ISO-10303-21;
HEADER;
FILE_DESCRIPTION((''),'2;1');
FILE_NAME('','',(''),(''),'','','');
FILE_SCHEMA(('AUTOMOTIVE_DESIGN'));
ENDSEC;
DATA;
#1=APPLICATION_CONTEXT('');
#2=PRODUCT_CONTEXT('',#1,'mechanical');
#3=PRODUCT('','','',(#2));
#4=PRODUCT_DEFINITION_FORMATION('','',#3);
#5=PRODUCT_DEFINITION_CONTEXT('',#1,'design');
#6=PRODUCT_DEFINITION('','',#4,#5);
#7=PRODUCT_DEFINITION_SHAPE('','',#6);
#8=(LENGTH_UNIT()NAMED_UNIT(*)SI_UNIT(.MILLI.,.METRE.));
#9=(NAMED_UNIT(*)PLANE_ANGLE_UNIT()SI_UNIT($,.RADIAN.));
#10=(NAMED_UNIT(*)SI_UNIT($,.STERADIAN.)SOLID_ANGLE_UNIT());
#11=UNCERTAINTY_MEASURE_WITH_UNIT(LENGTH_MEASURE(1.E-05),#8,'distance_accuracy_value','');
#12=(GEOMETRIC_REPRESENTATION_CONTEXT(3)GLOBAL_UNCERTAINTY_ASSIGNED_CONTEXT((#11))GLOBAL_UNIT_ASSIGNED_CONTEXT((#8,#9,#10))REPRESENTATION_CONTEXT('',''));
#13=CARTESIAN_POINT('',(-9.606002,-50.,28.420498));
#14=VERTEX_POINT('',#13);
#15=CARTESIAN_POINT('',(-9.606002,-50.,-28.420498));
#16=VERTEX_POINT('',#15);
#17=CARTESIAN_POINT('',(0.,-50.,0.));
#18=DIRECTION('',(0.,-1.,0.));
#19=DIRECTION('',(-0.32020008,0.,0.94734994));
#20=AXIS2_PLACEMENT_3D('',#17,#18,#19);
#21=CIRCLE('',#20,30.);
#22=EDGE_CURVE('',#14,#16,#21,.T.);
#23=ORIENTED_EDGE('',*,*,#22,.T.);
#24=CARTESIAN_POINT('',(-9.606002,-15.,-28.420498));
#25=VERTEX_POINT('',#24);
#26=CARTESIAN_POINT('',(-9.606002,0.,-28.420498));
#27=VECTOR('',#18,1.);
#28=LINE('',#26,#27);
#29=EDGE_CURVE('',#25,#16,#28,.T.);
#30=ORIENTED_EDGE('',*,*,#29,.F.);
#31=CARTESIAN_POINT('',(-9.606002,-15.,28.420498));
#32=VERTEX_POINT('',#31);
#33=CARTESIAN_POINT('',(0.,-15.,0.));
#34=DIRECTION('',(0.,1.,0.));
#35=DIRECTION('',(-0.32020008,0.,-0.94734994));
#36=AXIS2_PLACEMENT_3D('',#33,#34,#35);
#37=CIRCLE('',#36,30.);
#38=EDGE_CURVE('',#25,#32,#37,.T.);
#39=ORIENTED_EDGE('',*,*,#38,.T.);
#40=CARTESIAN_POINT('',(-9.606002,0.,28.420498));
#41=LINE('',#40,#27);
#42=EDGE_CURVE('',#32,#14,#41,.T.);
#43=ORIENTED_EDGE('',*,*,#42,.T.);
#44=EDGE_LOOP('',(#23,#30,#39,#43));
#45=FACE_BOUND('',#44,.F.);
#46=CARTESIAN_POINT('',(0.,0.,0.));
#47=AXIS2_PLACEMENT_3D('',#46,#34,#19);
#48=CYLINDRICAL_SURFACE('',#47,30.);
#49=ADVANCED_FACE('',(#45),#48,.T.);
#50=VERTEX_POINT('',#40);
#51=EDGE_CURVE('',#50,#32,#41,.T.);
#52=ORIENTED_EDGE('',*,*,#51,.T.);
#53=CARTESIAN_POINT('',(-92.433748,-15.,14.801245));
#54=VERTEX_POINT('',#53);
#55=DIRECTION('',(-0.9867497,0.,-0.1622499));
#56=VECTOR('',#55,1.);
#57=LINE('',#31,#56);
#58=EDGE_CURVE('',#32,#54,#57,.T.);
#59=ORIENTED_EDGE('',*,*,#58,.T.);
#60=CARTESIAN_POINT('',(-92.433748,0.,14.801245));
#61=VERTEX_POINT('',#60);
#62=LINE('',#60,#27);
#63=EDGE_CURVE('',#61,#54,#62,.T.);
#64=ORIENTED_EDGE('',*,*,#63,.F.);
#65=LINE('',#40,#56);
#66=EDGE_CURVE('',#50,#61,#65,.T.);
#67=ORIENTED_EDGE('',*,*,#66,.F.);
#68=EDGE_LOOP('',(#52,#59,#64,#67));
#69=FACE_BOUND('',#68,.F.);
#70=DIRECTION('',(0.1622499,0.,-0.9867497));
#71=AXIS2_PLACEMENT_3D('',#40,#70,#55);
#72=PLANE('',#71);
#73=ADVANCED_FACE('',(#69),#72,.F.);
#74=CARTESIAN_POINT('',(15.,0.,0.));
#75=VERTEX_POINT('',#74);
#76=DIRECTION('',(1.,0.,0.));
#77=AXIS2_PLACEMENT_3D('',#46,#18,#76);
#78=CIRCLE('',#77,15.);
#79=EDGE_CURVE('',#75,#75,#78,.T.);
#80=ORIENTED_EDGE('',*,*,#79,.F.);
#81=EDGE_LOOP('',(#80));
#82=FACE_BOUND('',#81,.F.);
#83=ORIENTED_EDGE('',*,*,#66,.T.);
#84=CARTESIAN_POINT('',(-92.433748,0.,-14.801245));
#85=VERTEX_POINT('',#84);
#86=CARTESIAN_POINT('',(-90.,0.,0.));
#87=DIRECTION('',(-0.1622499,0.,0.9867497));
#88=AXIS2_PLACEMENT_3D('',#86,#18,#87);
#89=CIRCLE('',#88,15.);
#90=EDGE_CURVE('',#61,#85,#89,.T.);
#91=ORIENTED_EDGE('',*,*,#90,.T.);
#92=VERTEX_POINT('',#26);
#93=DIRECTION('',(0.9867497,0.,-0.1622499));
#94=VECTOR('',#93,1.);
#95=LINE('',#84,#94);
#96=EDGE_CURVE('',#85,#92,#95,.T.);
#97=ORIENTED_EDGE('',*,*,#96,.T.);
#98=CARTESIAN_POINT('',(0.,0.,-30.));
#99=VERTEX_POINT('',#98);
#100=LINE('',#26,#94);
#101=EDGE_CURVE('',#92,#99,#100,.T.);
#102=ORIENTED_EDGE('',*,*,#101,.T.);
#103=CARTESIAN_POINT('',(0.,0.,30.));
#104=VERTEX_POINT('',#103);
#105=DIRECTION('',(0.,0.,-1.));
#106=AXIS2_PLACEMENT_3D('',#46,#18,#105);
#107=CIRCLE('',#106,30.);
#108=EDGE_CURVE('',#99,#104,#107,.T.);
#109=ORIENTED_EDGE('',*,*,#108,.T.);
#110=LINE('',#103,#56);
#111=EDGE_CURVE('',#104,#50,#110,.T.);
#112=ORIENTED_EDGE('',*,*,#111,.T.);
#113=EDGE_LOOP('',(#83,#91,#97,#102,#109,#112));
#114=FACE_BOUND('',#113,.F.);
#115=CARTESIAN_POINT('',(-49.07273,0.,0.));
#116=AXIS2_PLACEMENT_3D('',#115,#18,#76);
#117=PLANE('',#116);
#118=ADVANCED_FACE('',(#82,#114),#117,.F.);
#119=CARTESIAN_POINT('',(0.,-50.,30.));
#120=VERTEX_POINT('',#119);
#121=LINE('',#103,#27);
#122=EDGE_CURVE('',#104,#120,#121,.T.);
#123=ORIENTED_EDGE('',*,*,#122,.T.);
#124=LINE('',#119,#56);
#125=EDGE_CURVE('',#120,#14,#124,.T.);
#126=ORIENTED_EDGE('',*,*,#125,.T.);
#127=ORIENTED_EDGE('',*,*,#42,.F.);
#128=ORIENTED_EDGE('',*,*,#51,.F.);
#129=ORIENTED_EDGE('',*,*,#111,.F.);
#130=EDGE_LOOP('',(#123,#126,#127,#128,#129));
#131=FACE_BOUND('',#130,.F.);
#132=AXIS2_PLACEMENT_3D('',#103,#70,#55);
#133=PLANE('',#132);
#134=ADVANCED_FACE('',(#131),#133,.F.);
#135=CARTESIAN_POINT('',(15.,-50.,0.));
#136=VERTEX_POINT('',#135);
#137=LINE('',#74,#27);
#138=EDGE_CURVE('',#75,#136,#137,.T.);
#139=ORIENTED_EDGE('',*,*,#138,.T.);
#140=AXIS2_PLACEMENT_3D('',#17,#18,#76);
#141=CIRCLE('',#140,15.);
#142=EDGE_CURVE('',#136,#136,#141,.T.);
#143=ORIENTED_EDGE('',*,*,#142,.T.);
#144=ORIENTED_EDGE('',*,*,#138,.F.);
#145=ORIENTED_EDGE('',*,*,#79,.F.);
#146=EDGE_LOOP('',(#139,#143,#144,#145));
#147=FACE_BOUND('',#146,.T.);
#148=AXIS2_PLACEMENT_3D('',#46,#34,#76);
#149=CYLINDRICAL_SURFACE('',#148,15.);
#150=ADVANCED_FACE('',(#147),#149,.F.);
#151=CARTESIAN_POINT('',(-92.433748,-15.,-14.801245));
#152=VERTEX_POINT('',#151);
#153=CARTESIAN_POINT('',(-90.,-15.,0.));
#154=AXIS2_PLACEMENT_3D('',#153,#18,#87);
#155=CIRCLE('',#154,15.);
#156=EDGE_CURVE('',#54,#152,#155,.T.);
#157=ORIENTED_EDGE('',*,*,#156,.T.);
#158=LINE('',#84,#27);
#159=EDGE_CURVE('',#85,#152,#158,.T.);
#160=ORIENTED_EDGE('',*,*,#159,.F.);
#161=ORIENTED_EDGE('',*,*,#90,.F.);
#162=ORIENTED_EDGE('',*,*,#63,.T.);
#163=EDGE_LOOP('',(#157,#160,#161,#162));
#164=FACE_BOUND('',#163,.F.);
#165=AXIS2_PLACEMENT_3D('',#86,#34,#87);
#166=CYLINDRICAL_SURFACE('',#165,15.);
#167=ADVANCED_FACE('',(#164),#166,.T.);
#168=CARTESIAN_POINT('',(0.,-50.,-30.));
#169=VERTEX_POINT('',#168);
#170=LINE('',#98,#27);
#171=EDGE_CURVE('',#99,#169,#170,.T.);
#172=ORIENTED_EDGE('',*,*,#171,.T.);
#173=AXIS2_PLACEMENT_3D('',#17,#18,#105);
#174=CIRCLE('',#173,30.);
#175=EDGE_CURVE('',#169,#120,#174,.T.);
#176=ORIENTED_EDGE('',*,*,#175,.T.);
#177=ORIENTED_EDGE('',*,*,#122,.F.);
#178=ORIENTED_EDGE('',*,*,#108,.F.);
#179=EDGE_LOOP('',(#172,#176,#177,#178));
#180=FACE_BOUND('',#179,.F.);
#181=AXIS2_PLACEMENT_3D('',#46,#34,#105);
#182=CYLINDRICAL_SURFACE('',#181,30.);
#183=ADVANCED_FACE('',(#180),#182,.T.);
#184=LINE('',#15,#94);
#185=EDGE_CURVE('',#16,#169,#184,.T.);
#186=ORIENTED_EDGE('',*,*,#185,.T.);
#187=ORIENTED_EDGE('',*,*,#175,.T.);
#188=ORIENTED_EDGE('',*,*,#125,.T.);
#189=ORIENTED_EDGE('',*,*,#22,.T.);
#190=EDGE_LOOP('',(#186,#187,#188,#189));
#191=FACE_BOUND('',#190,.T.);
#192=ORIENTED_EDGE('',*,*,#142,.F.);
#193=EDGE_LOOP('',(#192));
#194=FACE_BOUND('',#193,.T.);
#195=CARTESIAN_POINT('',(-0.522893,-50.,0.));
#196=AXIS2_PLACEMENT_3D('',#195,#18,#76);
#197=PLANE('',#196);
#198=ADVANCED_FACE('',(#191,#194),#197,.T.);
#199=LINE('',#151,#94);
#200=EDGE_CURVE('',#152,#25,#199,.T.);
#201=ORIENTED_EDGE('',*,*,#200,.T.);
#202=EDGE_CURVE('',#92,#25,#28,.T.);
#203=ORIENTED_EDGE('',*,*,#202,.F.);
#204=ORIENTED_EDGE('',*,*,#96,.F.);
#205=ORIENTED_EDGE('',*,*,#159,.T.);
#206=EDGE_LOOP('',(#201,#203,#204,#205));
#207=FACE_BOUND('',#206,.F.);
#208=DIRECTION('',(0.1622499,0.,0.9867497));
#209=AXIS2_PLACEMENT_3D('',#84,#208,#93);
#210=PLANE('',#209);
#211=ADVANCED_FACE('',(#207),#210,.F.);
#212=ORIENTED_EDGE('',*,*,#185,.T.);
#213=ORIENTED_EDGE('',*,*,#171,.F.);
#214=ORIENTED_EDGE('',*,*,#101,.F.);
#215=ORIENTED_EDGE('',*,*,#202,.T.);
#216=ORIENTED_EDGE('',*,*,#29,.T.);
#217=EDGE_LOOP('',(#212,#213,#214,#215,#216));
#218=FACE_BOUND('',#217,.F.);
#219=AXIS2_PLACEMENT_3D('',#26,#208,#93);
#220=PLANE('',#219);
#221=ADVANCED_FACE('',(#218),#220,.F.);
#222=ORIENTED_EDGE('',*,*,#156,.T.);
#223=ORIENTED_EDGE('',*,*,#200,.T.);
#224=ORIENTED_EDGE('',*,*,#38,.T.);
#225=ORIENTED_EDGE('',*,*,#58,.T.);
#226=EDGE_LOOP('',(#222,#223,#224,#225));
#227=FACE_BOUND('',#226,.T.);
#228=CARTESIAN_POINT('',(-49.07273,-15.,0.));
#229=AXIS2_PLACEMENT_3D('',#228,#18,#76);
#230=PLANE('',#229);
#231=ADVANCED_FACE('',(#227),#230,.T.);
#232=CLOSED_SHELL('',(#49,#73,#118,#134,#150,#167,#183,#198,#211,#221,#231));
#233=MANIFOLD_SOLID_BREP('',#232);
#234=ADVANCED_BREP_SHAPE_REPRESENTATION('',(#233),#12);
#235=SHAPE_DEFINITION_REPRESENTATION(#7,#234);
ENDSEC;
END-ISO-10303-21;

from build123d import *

# Parameters (mm, degrees)
F0_R     = 15
F1_DEPTH = 50
F2_DEPTH = 15


with BuildPart() as f1:
    # F0 (on Front) → F1 (new body)
    with BuildSketch(Plane.XZ):
        with BuildLine():
            ThreePointArc((0, -30), (21.2132034356, -21.2132034356), (30, 0))
            ThreePointArc((30, 0), (21.2132034356, 21.2132034356), (0, 30))
            Line((0, 30), (-9.6060024019, 28.4204981986))
            ThreePointArc((-9.6060024019, 28.4204981986), (-30, 0), (-9.6060024019, -28.4204981986))
            Line((-9.6060024019, -28.4204981986), (0, -30))
        make_face()
        Circle(F0_R, mode=Mode.SUBTRACT)
    extrude(amount=F1_DEPTH)

    # F0 (on Front) → F2 (join)
    with BuildSketch(Plane.XZ):
        with BuildLine():
            ThreePointArc((-9.6060024019, -28.4204981986), (-30, 0), (-9.6060024019, 28.4204981986))
            Line((-9.6060024019, 28.4204981986), (-92.4337484988, 14.8012454964))
            ThreePointArc((-92.4337484988, 14.8012454964), (-80.2919164477, 11.4347327796), (-75, 0))
            ThreePointArc((-75, 0), (-80.2919164477, -11.4347327796), (-92.4337484988, -14.8012454964))
            Line((-92.4337484988, -14.8012454964), (-9.6060024019, -28.4204981986))
        make_face()
        with BuildLine():
            ThreePointArc((-75, 0), (-80.2919164477, 11.4347327796), (-92.4337484988, 14.8012454964))
            ThreePointArc((-92.4337484988, 14.8012454964), (-105, 0), (-92.4337484988, -14.8012454964))
            ThreePointArc((-92.4337484988, -14.8012454964), (-80.2919164477, -11.4347327796), (-75, 0))
        make_face()
    extrude(amount=F2_DEPTH)


solid = f1.part
